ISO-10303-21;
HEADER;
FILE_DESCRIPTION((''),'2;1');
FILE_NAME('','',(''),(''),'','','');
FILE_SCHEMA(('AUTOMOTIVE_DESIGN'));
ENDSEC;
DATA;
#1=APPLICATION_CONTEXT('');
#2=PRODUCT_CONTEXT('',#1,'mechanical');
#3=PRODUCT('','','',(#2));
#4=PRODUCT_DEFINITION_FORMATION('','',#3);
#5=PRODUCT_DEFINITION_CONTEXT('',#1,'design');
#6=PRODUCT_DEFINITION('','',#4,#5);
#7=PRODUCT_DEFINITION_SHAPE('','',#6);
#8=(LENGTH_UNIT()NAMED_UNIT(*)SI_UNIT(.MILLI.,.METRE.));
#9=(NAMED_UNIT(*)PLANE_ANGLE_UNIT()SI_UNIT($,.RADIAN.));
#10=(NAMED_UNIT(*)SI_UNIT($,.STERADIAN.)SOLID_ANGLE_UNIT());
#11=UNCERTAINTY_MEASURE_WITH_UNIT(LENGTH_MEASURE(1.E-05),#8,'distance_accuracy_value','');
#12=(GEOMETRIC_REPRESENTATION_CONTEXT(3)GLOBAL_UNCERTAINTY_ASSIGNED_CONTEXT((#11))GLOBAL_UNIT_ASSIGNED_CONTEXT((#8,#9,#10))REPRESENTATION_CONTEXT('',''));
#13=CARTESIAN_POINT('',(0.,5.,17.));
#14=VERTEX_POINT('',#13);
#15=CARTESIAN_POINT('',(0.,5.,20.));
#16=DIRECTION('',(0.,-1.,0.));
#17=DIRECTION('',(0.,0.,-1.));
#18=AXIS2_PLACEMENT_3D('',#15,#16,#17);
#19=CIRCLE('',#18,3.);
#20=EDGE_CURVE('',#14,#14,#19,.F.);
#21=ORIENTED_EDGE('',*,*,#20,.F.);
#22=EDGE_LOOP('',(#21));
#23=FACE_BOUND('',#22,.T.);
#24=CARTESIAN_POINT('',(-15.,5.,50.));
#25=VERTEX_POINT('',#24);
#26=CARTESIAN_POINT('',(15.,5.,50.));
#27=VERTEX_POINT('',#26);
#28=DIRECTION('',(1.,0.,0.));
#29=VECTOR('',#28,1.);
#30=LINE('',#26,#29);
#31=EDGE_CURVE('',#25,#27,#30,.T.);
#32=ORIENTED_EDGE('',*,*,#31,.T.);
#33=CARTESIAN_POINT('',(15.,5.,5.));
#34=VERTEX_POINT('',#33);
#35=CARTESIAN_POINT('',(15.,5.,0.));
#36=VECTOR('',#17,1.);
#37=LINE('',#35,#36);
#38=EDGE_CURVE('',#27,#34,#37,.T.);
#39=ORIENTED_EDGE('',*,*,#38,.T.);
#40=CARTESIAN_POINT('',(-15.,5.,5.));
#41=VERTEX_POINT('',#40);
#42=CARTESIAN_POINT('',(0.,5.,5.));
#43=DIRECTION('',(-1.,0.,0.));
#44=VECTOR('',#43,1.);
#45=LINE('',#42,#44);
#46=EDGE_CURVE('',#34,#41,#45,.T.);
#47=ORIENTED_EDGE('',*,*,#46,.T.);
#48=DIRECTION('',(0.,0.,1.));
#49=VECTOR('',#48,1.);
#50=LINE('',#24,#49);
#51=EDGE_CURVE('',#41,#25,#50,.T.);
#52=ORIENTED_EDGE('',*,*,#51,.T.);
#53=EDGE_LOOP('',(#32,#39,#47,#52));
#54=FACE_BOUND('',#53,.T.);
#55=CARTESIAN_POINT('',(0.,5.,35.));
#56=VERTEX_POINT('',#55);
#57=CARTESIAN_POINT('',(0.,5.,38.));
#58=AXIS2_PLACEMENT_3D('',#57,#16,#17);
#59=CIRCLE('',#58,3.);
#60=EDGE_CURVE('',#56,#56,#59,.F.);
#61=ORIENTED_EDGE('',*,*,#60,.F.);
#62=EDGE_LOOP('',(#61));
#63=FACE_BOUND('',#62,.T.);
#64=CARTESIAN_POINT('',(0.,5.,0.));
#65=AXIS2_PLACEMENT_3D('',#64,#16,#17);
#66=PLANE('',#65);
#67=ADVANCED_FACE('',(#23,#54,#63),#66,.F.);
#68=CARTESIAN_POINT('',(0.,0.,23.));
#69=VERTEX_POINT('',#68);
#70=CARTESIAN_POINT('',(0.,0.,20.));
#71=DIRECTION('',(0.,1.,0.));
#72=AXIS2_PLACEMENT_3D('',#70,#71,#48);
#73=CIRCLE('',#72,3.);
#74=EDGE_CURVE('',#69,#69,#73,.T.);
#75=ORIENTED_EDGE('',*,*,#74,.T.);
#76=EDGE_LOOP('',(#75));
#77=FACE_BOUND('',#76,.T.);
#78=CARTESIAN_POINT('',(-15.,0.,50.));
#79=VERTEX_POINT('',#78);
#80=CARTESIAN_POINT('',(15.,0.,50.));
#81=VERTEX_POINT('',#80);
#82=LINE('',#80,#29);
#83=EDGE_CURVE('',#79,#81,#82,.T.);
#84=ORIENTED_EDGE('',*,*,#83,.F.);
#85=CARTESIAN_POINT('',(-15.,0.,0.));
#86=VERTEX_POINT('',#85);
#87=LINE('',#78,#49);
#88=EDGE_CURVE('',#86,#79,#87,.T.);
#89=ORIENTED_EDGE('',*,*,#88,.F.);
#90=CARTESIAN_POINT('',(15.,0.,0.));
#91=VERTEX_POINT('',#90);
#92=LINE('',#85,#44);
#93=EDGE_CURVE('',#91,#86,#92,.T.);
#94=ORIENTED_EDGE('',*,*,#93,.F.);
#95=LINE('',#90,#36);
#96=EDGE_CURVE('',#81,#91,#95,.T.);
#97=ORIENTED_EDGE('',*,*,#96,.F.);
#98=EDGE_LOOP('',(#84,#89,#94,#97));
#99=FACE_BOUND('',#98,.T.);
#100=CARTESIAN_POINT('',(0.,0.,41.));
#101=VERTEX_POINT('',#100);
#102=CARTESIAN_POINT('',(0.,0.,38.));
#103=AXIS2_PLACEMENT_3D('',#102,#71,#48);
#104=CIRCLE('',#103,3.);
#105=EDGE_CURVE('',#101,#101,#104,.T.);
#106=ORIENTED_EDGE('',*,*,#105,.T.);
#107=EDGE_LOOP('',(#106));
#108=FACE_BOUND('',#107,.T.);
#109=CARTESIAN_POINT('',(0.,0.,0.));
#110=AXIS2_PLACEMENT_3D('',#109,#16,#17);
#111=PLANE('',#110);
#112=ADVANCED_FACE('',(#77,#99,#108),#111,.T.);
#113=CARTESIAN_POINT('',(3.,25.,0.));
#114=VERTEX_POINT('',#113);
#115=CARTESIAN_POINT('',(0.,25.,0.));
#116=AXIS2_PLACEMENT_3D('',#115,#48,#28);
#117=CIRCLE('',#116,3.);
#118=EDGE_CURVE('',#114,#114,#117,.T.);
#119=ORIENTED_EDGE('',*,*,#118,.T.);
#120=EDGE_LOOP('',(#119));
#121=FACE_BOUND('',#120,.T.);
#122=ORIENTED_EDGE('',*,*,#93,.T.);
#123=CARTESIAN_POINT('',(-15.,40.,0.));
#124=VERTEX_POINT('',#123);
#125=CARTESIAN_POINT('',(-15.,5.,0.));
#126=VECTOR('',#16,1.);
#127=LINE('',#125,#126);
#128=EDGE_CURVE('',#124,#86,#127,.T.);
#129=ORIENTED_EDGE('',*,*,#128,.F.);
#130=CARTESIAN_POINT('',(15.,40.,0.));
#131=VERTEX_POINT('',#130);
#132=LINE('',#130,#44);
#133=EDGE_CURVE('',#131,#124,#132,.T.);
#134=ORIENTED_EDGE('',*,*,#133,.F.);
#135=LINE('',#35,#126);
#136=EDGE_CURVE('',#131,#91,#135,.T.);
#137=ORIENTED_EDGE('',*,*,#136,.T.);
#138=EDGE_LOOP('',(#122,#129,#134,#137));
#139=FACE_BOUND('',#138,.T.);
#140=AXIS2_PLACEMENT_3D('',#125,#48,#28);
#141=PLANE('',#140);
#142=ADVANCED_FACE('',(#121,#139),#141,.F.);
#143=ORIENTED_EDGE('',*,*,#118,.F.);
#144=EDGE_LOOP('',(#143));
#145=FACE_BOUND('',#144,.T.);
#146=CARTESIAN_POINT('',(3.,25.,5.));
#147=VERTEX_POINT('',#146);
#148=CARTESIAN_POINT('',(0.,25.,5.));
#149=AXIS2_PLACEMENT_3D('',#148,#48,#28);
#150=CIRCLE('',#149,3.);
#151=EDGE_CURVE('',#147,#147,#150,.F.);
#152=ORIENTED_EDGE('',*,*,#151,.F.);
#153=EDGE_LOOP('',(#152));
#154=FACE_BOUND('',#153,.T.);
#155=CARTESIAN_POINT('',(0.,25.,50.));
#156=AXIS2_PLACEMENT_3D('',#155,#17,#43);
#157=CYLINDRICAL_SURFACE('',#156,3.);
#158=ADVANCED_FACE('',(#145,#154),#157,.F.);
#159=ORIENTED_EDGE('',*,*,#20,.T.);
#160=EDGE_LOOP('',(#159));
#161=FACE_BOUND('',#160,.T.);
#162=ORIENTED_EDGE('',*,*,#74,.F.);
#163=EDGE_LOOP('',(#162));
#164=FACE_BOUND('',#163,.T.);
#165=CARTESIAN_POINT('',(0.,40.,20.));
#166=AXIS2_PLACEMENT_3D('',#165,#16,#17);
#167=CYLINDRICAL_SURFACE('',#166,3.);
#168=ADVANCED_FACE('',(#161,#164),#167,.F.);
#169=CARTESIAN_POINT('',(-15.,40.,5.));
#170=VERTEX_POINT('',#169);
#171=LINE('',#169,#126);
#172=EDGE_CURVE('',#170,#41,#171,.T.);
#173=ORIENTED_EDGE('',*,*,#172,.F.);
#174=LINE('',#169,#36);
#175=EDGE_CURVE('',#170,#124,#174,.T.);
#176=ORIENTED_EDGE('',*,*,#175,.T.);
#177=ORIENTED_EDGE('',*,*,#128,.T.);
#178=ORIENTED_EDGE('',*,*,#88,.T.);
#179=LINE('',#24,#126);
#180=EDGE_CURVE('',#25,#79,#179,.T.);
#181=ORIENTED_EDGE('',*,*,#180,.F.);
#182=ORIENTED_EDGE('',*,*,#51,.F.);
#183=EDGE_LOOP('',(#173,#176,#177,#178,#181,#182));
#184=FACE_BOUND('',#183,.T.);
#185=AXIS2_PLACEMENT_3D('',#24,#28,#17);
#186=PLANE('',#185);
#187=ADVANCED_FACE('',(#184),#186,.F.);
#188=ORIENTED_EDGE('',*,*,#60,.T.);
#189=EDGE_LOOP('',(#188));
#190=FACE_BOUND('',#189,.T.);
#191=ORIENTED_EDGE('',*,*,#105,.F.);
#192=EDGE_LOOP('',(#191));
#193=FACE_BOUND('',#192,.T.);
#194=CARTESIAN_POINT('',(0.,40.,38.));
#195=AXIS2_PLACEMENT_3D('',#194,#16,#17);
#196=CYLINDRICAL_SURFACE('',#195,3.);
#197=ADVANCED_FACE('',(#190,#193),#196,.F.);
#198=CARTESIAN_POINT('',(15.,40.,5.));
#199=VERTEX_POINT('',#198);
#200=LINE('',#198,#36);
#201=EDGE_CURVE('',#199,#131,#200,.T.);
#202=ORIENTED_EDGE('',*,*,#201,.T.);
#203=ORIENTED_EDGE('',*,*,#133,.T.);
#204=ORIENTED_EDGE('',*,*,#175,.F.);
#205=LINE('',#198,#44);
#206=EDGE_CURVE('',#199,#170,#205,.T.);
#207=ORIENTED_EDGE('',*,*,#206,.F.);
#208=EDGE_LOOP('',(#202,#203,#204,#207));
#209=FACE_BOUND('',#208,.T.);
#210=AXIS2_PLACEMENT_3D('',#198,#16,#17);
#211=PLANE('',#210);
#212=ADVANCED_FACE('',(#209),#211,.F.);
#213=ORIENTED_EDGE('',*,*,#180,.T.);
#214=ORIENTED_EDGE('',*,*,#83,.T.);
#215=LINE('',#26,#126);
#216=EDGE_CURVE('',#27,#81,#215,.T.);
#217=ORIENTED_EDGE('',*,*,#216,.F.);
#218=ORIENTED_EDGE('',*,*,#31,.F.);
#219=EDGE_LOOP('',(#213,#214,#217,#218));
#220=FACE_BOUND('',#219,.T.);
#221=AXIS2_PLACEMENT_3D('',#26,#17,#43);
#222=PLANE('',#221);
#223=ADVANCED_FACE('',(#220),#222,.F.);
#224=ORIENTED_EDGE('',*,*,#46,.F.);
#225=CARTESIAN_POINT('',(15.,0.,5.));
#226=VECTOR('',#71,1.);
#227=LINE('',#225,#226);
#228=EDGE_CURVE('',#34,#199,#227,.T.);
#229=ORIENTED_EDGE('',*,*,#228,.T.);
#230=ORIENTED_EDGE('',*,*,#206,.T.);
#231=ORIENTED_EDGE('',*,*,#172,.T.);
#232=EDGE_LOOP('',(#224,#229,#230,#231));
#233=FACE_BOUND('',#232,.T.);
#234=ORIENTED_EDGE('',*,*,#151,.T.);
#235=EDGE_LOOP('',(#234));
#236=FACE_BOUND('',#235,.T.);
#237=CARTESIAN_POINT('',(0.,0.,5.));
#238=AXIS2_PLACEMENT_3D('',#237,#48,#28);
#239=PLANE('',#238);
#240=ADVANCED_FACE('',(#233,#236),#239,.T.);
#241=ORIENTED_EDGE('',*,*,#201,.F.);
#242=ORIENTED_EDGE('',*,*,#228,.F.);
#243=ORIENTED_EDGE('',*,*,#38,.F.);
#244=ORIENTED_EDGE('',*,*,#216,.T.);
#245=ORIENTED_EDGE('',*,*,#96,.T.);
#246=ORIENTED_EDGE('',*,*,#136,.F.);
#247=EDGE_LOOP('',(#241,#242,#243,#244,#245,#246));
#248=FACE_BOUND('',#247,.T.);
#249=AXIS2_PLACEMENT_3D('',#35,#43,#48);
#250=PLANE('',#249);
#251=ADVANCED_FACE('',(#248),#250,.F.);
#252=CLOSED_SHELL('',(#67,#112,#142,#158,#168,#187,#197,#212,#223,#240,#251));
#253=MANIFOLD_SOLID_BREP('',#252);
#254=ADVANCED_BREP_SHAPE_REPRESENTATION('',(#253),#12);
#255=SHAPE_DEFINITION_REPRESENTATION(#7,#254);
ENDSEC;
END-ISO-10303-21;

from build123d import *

# Parameters (mm, degrees)
SKETCH_1_W          = 30
SKETCH_1_H          = 50
EXTRUDE_1_DEPTH     = 5
SKETCH_2_W          = 30
SKETCH_2_H          = 40
EXTRUDE_2_DEPTH     = 5
SKETCH_3_R          = 3
CUT_EXTRUDE_1_DEPTH = 66.76473219
SKETCH_4_R          = 3
CUT_EXTRUDE_2_DEPTH = 66.76473219


with BuildPart() as part:
    # 草图1 → 凸台-拉伸1 (new body)
    with BuildSketch(Plane(origin=(0, 0, 0), x_dir=(1, 0, 0), z_dir=(0, 1, 0))):
        with Locations((0, -25)):
            Rectangle(SKETCH_1_W, SKETCH_1_H)
    extrude(amount=EXTRUDE_1_DEPTH)

    # 草图2 → 凸台-拉伸2 (add)
    with BuildSketch(Plane.XY):
        with Locations((0, 20)):
            Rectangle(SKETCH_2_W, SKETCH_2_H)
    extrude(amount=EXTRUDE_2_DEPTH)

    # 草图3 → 切除-拉伸1 (cut, through all)
    with BuildSketch(Plane(origin=(0, 0, 0), x_dir=(1, 0, 0), z_dir=(0, 1, 0))):
        with Locations(Location((0, -20, 0), (0, 0, 90))):
            Circle(SKETCH_3_R)
        with Locations(Location((0, -38, 0), (0, 0, 90))):
            Circle(SKETCH_3_R)
    extrude(amount=CUT_EXTRUDE_1_DEPTH, mode=Mode.SUBTRACT)

    # 草图4 → 切除-拉伸2 (cut, through all)
    with BuildSketch(Plane.XY):
        with Locations((0, 25)):
            Circle(SKETCH_4_R)
    extrude(amount=CUT_EXTRUDE_2_DEPTH, mode=Mode.SUBTRACT)


solid = part.part
